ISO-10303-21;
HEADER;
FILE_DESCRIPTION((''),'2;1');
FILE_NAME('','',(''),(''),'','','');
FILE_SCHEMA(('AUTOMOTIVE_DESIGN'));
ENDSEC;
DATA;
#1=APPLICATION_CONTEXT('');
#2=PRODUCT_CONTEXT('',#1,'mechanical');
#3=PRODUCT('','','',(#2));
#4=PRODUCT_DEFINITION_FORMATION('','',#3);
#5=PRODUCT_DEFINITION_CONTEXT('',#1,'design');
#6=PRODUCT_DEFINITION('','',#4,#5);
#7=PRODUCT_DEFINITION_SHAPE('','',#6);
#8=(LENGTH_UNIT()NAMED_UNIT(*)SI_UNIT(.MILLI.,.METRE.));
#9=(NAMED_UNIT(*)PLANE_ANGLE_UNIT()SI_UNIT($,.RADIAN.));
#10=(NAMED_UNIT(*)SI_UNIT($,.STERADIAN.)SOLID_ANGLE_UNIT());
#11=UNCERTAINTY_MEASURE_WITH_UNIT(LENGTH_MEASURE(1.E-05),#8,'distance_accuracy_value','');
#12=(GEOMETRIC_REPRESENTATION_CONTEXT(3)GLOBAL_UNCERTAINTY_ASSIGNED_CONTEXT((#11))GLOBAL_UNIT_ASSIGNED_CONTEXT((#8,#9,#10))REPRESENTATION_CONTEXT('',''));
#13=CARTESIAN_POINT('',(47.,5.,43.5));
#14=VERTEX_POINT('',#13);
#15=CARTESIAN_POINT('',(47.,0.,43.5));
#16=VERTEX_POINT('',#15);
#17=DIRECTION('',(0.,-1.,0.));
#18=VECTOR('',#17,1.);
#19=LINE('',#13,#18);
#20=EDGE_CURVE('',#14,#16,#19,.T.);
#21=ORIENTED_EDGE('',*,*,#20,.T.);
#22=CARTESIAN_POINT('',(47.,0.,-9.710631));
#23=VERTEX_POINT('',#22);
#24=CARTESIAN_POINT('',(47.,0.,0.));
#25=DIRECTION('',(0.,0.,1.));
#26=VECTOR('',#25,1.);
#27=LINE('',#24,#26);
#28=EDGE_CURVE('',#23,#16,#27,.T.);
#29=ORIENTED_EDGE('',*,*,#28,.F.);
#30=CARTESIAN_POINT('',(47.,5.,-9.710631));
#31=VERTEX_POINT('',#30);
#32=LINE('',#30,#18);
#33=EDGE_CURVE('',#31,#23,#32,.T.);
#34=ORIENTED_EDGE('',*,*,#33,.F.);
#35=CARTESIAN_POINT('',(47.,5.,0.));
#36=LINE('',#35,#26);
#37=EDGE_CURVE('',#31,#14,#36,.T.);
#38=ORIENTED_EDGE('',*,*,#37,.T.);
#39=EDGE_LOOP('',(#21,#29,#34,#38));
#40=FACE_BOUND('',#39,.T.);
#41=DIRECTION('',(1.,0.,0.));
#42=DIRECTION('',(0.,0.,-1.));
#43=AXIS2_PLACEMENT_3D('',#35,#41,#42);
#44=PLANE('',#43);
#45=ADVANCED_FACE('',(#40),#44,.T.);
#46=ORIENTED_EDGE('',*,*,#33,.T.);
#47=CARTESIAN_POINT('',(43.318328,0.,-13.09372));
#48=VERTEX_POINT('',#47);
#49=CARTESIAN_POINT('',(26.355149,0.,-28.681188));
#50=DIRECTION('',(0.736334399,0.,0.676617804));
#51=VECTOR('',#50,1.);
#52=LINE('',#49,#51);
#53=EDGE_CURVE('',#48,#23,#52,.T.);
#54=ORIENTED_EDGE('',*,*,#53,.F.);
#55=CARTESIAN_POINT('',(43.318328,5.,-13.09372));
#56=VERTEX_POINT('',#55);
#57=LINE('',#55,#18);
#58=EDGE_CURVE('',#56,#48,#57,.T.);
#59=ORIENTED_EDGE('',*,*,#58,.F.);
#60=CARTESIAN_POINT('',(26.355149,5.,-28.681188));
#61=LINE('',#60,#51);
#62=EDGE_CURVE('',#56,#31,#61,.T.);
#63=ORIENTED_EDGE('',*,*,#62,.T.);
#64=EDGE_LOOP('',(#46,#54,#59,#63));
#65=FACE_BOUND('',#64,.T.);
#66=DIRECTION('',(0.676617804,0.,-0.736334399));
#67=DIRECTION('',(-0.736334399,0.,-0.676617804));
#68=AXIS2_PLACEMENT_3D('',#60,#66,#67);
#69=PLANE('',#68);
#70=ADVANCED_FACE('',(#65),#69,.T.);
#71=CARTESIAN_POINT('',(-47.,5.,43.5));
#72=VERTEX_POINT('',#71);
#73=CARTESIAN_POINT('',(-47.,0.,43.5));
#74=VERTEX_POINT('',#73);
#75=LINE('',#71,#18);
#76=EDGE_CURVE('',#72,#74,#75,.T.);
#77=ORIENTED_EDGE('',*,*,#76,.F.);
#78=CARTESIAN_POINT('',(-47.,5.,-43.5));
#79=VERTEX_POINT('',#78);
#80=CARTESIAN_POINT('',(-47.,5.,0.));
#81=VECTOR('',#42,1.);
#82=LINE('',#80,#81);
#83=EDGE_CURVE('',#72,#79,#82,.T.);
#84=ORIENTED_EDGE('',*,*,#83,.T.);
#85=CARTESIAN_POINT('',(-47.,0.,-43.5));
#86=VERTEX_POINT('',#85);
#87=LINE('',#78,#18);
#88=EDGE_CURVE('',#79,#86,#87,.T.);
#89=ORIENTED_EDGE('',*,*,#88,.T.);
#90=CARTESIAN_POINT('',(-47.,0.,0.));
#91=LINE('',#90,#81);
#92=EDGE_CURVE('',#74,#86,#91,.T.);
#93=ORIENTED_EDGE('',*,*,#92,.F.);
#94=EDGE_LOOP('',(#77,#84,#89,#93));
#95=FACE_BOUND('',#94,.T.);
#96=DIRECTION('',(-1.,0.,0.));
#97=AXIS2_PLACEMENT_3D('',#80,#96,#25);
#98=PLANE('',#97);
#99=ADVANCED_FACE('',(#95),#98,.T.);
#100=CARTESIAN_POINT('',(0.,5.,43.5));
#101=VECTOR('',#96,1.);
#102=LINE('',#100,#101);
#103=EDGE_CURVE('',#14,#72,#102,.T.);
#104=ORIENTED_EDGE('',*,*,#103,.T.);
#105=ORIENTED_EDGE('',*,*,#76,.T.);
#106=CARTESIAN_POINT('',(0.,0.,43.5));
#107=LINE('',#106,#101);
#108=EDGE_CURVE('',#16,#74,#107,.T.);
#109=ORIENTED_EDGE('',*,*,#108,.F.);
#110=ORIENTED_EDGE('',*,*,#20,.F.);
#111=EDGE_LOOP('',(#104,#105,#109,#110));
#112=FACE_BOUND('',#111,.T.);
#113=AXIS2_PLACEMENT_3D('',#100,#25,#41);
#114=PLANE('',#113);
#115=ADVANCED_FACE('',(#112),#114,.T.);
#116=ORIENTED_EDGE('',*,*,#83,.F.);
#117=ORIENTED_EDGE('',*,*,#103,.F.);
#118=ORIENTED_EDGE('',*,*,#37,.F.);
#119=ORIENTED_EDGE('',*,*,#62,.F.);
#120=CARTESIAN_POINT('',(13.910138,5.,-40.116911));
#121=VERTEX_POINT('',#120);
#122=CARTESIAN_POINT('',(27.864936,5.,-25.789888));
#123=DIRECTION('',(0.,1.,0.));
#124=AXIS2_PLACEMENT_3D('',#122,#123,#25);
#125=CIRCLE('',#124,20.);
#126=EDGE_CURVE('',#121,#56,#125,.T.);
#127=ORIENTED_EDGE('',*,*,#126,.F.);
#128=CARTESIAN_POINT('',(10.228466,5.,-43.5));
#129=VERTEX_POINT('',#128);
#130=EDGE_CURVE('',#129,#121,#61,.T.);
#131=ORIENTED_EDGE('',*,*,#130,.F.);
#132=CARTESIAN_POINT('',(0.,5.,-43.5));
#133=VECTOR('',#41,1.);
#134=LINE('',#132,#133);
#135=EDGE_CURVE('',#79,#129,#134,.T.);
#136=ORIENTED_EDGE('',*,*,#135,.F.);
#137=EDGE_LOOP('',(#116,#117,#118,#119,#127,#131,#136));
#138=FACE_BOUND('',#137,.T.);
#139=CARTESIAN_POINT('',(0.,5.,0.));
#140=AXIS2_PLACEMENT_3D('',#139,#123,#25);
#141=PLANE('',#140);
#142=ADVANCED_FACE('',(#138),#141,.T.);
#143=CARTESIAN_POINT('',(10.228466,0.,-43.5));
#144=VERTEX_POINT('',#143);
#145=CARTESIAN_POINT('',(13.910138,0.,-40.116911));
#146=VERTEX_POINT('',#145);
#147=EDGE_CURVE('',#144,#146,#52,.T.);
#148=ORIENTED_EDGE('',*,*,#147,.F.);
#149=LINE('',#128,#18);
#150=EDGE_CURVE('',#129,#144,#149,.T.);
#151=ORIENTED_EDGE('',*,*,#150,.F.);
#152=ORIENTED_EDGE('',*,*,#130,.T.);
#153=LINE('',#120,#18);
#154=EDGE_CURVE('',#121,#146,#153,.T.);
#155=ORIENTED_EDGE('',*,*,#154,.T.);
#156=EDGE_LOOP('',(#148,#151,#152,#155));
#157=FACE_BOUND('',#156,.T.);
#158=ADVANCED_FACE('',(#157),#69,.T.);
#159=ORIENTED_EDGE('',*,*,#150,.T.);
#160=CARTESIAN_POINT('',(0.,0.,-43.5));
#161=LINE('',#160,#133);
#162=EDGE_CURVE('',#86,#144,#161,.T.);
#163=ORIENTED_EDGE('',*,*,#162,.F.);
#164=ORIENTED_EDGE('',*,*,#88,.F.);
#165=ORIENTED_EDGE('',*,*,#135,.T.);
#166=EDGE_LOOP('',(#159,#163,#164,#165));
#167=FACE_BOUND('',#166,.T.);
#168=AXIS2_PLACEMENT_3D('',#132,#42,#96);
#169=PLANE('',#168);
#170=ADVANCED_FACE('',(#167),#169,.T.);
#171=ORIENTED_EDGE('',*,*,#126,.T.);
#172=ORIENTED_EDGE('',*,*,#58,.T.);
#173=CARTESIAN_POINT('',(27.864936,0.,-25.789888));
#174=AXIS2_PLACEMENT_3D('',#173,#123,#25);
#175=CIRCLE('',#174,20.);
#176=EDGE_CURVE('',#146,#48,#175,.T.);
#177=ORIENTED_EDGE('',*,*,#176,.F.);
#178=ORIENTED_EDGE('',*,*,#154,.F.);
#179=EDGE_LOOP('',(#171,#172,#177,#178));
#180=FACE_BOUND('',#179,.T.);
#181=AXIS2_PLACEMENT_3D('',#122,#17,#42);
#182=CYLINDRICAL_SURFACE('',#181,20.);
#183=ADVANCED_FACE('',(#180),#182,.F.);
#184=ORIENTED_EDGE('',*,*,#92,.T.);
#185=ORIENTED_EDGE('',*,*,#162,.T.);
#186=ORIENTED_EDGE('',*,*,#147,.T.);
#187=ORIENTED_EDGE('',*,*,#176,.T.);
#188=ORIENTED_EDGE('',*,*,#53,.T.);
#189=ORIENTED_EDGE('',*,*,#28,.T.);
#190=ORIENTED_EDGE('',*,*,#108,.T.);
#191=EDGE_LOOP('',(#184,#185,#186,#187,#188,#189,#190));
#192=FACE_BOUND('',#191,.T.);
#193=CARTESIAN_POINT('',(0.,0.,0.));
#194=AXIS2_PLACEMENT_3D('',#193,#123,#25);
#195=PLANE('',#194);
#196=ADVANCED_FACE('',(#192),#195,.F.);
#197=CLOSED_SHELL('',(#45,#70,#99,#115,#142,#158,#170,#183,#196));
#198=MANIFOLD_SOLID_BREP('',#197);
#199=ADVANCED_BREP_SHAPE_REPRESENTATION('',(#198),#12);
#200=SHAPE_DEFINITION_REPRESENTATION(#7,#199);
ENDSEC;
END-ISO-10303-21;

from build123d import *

# Parameters (mm, degrees)
BOSS_EXTRU_1_DEPTH = 5


with BuildPart() as part:
    # Esquisse1 → Boss.-Extru.1 (new body)
    with BuildSketch(Plane(origin=(0, 0, 0), x_dir=(1, 0, 0), z_dir=(0, 1, 0))):
        with BuildLine():
            Line((-47, 43.5), (10.228465539, 43.5))
            Line((10.228465539, 43.5), (13.910137535, 40.116910981))
            ThreePointArc((13.910137535, 40.116910981), (14.332580008, 11.063199665), (43.318328003, 13.093719798))
            Line((43.318328003, 13.093719798), (47, 9.710630779))
            Line((47, 9.710630779), (47, -43.5))
            Line((47, -43.5), (-47, -43.5))
            Line((-47, -43.5), (-47, 43.5))
        make_face()
    extrude(amount=BOSS_EXTRU_1_DEPTH)


solid = part.part
